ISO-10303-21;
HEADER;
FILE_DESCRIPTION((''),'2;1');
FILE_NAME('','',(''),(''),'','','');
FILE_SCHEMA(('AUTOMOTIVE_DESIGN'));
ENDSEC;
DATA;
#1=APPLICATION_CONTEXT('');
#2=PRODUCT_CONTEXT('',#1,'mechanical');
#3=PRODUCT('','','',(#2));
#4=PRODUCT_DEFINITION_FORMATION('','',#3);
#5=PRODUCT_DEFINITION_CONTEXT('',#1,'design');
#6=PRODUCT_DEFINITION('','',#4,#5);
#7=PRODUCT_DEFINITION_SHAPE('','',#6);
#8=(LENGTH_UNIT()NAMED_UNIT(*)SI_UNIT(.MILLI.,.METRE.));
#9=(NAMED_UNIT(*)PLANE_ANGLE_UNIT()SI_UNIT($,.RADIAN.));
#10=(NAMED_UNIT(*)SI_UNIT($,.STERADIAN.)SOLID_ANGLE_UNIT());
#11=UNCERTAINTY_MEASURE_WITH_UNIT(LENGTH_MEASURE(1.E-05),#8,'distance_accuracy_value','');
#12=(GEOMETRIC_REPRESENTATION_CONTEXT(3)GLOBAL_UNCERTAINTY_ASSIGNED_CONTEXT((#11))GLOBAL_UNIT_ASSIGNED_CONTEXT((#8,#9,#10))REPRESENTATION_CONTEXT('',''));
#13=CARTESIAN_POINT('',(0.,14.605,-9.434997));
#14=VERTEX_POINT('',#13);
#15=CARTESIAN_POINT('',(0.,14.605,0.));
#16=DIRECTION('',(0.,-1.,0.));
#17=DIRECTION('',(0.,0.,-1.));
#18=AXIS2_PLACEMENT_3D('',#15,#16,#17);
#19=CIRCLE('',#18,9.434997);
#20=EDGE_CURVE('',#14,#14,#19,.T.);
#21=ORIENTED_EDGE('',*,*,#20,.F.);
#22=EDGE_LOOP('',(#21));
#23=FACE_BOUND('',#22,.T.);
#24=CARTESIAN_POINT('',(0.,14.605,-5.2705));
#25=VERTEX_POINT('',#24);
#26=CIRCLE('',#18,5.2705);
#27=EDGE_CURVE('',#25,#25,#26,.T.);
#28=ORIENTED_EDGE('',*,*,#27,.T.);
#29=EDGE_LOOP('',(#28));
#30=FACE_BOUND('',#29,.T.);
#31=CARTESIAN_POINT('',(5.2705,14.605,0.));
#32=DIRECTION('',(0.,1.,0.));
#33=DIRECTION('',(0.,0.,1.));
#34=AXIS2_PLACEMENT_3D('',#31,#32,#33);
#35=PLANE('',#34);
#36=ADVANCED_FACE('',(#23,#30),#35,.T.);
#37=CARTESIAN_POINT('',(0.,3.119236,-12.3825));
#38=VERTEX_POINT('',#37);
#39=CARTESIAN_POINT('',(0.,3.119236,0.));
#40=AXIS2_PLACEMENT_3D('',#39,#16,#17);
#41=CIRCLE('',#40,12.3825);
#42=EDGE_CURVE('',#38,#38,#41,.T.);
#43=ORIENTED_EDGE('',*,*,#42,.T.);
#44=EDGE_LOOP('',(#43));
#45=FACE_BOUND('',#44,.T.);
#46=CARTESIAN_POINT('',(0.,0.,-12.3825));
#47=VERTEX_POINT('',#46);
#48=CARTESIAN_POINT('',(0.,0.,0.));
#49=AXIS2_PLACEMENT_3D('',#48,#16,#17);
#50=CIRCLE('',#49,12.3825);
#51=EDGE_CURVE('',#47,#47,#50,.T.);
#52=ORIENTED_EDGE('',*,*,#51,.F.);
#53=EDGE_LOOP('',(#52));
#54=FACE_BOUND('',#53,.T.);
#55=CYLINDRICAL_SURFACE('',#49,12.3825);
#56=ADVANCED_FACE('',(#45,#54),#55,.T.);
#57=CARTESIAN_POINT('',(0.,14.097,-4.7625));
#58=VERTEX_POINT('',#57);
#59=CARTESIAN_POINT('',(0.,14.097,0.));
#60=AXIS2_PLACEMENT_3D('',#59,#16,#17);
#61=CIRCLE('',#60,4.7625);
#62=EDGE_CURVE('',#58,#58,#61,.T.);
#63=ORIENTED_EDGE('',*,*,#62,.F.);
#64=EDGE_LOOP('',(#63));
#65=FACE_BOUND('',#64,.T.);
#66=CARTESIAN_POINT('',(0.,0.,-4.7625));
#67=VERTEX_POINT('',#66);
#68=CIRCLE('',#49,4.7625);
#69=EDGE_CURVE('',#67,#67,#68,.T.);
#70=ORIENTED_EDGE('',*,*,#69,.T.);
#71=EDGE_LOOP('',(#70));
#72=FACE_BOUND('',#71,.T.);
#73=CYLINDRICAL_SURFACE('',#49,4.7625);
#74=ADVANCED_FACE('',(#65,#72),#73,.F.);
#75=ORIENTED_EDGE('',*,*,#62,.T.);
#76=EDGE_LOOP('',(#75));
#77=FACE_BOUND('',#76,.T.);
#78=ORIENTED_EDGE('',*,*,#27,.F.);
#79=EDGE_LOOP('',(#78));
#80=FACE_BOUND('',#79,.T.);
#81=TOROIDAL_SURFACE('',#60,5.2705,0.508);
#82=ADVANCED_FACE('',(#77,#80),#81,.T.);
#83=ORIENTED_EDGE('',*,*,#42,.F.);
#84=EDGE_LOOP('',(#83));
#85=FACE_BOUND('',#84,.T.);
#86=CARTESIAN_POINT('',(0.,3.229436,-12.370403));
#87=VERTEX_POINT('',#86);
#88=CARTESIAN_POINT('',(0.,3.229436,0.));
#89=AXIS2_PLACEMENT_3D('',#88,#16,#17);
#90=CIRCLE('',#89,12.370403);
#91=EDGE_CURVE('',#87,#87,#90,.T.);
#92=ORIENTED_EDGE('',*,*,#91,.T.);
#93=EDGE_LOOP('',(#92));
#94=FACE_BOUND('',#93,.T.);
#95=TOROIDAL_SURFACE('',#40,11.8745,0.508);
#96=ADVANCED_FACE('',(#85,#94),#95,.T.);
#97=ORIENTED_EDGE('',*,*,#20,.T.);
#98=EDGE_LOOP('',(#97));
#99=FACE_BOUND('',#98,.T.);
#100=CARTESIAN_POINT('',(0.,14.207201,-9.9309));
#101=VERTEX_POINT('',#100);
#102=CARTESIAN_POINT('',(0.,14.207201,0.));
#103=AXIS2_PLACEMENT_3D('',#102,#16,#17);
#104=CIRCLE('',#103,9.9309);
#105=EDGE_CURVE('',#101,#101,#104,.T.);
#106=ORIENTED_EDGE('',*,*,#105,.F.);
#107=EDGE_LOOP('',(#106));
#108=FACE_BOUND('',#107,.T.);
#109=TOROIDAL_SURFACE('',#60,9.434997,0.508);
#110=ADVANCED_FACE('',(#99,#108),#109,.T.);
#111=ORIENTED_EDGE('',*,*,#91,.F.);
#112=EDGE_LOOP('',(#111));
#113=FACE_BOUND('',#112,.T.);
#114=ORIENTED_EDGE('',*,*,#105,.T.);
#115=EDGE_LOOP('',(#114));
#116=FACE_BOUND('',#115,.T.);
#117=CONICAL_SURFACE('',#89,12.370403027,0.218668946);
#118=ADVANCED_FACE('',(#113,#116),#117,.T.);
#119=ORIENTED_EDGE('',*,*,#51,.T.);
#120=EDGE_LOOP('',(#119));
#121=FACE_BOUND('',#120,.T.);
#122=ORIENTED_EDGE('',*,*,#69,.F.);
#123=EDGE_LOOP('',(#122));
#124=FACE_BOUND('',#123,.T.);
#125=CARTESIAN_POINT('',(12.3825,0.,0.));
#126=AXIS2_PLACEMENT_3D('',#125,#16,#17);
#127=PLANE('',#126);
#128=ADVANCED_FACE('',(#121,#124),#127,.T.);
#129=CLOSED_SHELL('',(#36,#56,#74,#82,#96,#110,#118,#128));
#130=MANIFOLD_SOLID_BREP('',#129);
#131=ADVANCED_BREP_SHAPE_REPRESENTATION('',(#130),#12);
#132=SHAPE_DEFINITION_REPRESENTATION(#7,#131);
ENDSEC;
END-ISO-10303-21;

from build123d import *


with BuildPart() as part:
    # Sketch1 → Revolve1 (revolve)
    with BuildSketch(Plane.XY, mode=Mode.PRIVATE) as revolve1_sk:
        with BuildLine():
            Line((4.7625, 0), (4.7625, 14.097))
            ThreePointArc((4.7625, 14.097), (4.911289755, 14.456210245), (5.2705, 14.605))
            Line((5.2705, 14.605), (9.434996824, 14.605))
            ThreePointArc((9.434996824, 14.605), (9.75286634, 14.493261241), (9.930899851, 14.207200673))
            Line((9.930899851, 14.207200673), (12.370403027, 3.22943638))
            ThreePointArc((12.370403027, 3.22943638), (12.379466701, 3.174667028), (12.3825, 3.119235708))
            Line((12.3825, 3.119235708), (12.3825, 0))
            Line((12.3825, 0), (4.7625, 0))
        make_face()
    revolve(revolve1_sk.sketch.rotate(Axis((0, 0, 0), (0, 1, 0)), 90), axis=Axis((0, 0, 0), (0, 1, 0)))


solid = part.part
